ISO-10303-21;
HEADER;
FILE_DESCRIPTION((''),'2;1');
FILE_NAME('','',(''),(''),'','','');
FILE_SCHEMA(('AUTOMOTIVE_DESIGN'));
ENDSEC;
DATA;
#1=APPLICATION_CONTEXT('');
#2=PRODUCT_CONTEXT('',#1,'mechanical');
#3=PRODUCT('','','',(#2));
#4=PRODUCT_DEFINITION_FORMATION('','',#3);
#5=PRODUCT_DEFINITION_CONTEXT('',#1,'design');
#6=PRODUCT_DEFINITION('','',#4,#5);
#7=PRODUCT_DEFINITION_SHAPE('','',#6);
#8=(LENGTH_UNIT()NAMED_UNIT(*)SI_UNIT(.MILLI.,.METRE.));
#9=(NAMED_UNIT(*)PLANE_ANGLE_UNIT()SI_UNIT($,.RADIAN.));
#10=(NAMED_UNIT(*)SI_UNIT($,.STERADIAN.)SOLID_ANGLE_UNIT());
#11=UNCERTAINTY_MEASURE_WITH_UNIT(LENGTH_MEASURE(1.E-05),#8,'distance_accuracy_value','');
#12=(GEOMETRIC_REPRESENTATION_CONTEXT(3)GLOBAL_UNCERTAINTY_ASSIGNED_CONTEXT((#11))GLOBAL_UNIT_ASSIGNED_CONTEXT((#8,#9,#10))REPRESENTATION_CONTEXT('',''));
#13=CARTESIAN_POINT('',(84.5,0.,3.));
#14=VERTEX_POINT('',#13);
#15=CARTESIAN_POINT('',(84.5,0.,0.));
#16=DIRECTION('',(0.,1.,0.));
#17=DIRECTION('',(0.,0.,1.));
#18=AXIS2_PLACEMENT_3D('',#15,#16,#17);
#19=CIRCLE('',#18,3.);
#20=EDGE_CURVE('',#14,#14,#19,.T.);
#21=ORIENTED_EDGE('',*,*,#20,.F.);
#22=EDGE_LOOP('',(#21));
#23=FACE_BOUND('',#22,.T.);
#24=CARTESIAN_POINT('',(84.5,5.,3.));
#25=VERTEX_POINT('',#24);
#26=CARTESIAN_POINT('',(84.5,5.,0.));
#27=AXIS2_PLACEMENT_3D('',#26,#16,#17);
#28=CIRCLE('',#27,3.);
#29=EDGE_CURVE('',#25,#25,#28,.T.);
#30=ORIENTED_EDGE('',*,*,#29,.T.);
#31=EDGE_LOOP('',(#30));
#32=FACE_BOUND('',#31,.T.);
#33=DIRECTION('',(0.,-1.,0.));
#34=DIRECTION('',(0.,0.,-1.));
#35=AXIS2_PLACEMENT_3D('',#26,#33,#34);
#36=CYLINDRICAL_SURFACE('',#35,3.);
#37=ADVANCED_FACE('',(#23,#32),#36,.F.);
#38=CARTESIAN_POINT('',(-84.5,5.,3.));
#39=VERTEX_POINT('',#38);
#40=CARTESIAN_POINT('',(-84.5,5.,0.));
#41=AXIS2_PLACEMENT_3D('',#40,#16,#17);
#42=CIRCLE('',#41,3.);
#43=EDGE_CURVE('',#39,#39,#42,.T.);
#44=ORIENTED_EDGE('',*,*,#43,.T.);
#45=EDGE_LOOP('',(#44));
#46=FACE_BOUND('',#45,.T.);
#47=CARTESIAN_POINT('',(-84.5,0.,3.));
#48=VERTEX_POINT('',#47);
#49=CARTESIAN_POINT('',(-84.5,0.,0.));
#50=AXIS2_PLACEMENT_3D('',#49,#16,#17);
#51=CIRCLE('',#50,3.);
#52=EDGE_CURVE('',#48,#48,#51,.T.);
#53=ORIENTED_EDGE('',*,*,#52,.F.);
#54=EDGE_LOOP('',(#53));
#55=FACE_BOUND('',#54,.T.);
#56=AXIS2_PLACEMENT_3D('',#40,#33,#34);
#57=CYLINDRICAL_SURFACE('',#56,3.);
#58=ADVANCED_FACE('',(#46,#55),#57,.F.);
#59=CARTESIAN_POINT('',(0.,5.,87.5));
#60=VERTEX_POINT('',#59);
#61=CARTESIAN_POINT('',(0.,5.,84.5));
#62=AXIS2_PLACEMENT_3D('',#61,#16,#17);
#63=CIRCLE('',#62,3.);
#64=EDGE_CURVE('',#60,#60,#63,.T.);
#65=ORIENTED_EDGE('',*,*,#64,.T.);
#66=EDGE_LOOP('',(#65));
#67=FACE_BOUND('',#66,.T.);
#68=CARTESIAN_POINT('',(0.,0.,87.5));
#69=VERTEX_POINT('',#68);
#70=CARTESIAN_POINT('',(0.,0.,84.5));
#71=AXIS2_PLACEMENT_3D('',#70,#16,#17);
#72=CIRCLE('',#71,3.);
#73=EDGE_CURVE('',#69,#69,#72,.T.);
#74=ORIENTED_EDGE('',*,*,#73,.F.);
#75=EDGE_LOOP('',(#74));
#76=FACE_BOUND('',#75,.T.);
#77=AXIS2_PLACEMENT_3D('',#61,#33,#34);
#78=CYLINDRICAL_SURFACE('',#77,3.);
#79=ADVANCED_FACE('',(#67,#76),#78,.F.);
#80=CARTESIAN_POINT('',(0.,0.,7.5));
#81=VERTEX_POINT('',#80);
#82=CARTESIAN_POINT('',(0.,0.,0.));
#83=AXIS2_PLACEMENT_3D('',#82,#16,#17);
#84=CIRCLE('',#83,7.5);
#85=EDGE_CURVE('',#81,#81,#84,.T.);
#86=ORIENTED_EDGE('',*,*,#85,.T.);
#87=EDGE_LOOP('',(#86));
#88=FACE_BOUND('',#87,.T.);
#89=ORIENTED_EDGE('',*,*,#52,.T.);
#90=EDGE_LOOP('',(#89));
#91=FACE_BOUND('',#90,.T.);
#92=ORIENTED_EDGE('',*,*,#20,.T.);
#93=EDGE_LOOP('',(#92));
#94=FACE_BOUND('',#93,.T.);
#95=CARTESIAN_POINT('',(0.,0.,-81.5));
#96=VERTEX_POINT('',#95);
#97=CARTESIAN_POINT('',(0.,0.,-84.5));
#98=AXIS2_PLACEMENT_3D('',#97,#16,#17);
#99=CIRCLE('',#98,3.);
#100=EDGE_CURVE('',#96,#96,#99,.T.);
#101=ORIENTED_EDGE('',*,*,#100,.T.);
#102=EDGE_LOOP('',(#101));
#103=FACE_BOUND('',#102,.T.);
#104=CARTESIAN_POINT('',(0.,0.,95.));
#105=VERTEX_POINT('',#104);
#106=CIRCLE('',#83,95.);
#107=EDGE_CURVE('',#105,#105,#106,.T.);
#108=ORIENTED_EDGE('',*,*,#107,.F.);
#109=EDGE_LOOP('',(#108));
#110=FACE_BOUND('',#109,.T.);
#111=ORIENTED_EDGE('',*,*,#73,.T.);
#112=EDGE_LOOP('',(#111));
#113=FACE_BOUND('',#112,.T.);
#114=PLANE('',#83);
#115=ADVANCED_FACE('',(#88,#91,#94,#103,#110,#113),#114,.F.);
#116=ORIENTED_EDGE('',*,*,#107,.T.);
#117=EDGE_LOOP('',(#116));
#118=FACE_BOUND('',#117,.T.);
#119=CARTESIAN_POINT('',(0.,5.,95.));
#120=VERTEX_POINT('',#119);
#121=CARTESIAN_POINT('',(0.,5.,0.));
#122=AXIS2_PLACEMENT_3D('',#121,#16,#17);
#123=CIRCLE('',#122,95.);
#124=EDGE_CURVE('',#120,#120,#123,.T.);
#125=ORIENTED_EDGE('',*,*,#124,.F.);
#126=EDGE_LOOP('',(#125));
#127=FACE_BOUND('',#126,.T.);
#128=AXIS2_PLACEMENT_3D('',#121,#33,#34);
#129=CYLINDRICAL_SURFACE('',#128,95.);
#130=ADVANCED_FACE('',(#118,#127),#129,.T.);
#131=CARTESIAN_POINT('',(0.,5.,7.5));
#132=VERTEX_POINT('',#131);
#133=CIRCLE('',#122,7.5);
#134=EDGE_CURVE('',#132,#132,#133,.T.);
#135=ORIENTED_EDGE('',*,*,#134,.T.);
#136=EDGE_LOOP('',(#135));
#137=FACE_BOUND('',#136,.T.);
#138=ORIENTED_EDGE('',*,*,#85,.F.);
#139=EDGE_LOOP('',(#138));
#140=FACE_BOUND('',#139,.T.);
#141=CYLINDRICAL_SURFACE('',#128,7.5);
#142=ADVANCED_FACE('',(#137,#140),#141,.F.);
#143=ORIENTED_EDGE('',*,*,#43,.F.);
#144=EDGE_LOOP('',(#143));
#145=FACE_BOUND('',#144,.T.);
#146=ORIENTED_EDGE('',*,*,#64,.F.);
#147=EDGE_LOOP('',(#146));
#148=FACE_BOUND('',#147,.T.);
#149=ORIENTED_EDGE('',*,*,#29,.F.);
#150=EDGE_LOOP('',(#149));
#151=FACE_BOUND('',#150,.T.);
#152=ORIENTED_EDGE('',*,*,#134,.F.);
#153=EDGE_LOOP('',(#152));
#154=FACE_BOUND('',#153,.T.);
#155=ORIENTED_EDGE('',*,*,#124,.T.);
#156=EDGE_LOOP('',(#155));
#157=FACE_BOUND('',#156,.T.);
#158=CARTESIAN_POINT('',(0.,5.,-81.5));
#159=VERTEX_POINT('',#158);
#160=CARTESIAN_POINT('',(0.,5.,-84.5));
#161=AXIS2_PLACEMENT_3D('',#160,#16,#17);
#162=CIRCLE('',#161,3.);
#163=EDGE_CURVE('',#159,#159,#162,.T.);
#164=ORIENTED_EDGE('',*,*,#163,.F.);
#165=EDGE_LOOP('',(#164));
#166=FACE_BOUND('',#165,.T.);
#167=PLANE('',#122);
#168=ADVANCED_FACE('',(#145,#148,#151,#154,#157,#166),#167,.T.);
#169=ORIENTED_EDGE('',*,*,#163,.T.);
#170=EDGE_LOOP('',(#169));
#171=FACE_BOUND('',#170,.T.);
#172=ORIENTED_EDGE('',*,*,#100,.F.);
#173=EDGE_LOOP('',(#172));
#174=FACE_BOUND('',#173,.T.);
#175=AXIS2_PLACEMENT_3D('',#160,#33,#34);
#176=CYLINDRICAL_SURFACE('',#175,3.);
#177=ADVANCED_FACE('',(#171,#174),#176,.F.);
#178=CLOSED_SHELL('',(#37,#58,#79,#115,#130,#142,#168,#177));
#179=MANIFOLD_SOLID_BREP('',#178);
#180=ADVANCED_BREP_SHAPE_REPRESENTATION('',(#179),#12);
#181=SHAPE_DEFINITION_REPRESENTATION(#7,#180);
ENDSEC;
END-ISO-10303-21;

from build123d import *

# Parameters (mm, degrees)
SKETCH2_R           = 95
SKETCH2_R_2         = 7.5
SKETCH2_R_3         = 3
BOSS_EXTRUDE1_DEPTH = 5


with BuildPart() as part:
    # Sketch2 → Boss-Extrude1 (new body)
    with BuildSketch(Plane(origin=(0, 0, 0), x_dir=(1, 0, 0), z_dir=(0, 1, 0))):
        with Locations(Location((0, 0, 0), (0, 0, 270))):
            Circle(SKETCH2_R)
        with Locations(Location((0, 0, 0), (0, 0, 270))):
            Circle(SKETCH2_R_2, mode=Mode.SUBTRACT)
        with Locations(Location((0, 84.5, 0), (0, 0, 270))):
            Circle(SKETCH2_R_3, mode=Mode.SUBTRACT)
        with Locations(Location((84.5, 0, 0), (0, 0, 270))):
            Circle(SKETCH2_R_3, mode=Mode.SUBTRACT)
        with Locations(Location((0, -84.5, 0), (0, 0, 270))):
            Circle(SKETCH2_R_3, mode=Mode.SUBTRACT)
        with Locations(Location((-84.5, 0, 0), (0, 0, 270))):
            Circle(SKETCH2_R_3, mode=Mode.SUBTRACT)
    extrude(amount=BOSS_EXTRUDE1_DEPTH)


solid = part.part
